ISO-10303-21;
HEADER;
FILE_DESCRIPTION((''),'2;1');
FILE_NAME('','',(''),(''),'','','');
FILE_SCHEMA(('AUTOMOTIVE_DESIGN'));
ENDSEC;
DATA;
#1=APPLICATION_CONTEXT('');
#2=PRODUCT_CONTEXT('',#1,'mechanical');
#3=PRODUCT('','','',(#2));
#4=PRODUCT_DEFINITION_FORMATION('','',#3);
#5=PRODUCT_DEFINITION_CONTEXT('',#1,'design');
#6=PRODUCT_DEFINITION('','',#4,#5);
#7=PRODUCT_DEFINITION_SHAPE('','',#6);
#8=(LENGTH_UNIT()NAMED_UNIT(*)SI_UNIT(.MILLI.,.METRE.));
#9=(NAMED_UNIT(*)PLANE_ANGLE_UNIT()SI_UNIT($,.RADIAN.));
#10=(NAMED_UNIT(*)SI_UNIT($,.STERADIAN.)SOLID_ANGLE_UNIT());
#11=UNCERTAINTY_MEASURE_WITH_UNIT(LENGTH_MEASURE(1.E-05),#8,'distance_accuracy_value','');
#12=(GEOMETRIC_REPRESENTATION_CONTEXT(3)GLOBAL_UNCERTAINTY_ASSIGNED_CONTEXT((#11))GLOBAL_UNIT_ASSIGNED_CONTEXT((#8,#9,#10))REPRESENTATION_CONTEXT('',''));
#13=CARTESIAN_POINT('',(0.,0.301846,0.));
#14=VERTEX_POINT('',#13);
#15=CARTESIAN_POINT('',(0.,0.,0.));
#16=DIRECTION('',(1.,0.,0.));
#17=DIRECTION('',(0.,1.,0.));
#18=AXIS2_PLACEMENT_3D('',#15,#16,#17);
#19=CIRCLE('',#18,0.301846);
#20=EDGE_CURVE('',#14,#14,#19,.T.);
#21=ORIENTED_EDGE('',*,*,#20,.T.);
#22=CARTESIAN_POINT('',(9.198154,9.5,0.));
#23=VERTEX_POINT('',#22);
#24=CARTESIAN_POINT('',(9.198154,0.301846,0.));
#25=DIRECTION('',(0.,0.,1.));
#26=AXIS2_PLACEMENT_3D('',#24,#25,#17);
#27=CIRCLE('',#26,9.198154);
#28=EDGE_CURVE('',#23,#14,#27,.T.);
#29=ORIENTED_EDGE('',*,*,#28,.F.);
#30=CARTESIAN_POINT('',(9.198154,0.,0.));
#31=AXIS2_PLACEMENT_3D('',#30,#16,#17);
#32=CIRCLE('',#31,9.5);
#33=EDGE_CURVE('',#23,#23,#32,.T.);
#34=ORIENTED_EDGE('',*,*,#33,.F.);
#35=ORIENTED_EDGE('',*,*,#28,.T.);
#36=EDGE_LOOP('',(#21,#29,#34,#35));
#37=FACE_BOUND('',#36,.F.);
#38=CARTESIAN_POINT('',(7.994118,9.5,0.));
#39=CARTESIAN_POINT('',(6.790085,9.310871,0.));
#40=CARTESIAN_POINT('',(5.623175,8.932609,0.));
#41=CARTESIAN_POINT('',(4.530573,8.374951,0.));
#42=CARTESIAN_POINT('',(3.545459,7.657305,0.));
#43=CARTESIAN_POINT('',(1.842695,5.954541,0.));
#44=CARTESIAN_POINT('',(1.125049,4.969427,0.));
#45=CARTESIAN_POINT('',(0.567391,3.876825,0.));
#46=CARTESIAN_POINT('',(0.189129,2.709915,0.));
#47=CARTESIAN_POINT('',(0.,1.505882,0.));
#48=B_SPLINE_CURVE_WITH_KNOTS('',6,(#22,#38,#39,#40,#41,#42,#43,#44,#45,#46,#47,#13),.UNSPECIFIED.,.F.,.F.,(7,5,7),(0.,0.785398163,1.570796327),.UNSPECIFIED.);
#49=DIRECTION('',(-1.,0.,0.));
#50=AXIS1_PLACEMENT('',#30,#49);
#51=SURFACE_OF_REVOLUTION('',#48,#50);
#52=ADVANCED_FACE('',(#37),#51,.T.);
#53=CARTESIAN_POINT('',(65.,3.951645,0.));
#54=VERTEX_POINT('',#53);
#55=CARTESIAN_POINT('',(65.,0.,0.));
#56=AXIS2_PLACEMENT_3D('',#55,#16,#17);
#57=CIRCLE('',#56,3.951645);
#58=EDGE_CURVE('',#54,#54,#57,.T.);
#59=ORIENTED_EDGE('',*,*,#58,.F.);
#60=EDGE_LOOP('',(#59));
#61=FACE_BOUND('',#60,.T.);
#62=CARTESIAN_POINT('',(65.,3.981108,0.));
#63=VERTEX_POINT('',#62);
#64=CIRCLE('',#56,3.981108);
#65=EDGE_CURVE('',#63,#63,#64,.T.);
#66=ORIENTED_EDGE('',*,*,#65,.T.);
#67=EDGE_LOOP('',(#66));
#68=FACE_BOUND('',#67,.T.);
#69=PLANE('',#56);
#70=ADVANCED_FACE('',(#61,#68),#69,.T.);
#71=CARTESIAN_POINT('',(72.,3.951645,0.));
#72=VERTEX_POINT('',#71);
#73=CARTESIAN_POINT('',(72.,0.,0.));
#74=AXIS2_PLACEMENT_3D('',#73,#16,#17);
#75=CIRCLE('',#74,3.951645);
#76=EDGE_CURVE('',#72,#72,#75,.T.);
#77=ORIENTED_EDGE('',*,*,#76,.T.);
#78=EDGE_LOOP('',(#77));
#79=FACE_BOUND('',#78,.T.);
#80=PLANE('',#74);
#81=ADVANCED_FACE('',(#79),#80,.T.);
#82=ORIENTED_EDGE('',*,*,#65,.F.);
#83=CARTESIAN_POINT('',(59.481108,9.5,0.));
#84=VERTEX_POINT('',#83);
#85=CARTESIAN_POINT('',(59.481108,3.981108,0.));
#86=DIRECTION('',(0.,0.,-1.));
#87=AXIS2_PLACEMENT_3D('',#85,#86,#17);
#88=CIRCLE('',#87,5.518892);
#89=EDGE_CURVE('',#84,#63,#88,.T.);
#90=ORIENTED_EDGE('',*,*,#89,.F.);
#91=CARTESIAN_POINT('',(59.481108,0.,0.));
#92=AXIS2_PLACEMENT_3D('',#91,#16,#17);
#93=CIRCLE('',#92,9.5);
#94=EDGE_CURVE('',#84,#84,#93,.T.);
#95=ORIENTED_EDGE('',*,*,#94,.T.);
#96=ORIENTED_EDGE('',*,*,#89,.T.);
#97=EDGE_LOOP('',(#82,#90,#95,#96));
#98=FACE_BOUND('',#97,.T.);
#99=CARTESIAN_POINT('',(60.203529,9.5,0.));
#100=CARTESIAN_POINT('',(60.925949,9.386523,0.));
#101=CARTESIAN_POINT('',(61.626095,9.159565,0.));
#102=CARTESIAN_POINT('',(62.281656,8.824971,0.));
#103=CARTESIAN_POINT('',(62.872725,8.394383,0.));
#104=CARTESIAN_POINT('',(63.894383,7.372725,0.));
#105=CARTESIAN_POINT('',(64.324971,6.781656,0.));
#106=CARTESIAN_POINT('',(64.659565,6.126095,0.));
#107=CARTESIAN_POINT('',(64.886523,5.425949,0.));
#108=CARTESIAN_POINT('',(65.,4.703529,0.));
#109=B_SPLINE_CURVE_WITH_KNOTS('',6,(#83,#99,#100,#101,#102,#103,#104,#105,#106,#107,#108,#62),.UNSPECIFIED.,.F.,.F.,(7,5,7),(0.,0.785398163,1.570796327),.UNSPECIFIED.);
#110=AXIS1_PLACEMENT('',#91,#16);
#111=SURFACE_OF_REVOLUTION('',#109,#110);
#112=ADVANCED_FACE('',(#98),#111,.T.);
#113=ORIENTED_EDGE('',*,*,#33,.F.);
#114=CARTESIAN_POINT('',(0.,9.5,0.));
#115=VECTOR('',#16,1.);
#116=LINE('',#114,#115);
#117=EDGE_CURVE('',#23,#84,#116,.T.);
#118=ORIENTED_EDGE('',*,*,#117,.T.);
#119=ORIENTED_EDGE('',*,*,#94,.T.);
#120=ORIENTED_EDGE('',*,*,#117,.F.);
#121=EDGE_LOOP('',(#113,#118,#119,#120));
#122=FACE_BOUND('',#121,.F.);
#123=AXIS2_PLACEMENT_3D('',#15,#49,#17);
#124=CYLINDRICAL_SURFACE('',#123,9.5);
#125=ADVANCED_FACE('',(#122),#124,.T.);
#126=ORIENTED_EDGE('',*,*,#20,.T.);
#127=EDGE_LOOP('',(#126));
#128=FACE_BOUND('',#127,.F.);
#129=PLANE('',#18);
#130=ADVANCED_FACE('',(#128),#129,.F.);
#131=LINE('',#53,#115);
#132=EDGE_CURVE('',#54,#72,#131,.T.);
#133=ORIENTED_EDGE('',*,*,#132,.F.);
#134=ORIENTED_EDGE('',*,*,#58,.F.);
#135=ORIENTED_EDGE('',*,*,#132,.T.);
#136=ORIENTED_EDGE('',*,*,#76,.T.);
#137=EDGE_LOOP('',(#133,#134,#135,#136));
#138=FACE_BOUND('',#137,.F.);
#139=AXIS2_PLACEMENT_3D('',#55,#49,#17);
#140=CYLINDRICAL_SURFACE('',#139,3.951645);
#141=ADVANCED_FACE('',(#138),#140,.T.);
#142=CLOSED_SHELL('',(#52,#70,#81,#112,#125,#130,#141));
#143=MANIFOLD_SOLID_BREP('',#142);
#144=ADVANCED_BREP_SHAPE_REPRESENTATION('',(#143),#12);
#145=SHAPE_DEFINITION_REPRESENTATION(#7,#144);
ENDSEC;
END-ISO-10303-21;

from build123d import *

# Parameters (mm, degrees)
F0_R     = 9.5
F1_DEPTH = 65
F2_R     = 9.198154
F3_R     = 5.518892
F4_R     = 3.951645
F5_DEPTH = 7


with BuildPart() as f1:
    # F0 (on Right) → F1 (new body)
    with BuildSketch(Plane.YZ):
        Circle(F0_R)
    extrude(amount=F1_DEPTH)

    # F2
    f2_edges = [f1.edges().sort_by_distance(p)[0] for p in [
        (0, -9.5, 0),
    ]]
    fillet(f2_edges, radius=F2_R)

    # F3
    f3_edges = [f1.edges().sort_by_distance(p)[0] for p in [
        (65, -9.5, 0),
    ]]
    fillet(f3_edges, radius=F3_R)

    # F4 (on face) → F5 (join)
    with BuildSketch(Plane.YZ.offset(65)):
        Circle(F4_R)
    extrude(amount=F5_DEPTH)


solid = f1.part
